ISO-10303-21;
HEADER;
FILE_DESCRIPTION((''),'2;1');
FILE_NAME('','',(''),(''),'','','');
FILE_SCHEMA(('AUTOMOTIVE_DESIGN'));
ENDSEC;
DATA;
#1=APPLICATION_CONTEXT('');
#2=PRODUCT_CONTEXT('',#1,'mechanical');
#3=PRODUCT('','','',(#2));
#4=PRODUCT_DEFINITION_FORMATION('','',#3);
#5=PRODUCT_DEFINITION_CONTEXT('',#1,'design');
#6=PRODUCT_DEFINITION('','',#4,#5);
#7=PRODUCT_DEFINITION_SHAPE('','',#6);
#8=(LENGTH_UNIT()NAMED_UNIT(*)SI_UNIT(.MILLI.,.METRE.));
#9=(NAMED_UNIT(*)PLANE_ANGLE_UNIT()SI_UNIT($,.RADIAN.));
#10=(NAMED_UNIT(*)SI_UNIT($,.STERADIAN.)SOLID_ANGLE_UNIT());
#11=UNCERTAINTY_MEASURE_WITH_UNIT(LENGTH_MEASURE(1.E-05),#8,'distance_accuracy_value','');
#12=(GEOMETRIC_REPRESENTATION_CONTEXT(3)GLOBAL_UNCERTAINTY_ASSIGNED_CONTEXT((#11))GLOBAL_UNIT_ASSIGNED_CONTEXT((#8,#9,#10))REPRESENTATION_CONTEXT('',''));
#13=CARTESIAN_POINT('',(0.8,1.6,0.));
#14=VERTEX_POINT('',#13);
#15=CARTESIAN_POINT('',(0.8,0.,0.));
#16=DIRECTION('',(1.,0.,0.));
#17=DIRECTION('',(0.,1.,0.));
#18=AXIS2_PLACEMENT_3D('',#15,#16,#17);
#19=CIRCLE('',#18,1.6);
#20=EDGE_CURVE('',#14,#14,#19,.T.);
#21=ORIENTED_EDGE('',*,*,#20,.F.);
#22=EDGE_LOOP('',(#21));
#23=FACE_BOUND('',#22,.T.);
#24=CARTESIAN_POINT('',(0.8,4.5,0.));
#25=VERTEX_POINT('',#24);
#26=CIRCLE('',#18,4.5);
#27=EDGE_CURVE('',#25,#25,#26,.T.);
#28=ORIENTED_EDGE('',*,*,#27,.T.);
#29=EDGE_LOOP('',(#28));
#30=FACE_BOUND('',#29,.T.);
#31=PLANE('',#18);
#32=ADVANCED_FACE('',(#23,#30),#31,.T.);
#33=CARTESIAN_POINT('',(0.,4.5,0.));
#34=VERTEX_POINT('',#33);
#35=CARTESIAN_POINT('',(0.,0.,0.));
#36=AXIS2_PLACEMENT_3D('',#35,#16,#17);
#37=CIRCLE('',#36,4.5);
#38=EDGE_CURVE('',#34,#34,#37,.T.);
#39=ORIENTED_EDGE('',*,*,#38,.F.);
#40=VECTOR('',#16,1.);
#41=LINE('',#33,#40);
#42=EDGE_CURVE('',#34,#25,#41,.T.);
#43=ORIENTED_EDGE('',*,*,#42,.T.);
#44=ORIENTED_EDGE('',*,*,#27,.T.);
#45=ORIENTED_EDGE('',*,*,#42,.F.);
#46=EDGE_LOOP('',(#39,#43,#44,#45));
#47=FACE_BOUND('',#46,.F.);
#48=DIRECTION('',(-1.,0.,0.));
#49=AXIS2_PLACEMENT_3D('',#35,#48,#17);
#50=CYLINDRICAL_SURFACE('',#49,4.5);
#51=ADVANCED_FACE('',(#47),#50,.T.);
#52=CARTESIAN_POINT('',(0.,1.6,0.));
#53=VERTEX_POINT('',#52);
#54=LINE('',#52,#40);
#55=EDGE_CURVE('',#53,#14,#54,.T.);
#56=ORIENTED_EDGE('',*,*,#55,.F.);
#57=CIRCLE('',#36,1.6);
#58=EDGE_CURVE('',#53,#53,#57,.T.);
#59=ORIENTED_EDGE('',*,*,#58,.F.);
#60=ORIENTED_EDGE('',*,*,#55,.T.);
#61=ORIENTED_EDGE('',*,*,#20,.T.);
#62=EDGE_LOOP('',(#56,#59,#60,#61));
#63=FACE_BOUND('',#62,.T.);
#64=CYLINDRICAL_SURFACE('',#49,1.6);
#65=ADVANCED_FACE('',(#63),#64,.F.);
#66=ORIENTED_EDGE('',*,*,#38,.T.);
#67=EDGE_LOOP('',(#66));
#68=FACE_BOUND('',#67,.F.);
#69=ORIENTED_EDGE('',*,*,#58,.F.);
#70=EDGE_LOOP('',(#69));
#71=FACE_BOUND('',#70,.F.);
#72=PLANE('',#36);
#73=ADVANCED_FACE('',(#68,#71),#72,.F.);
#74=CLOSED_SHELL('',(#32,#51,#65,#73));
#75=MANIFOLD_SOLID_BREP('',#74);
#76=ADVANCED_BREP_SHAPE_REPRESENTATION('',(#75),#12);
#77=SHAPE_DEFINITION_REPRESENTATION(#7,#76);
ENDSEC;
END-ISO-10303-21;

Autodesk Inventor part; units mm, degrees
ref_plane "YZ Plane" through (0, 0, 0) normal (1, 0, 0) x (0, 1, 0)
ref_plane "XZ Plane" through (0, 0, 0) normal (0, 1, 0) x (-1, 0, 0)
sketch "Sketch" plane through (0, 0, 0) normal (1, 0, 0) x (0, 1, 0)
  circle A0 centre (0, 0) radius 4.5
  circle A1 centre (0, 0) radius 1.6
  dimension "d0" = 3.2
  dimension "d1" = 9
extrude "Body" add sketch "Sketch" along normal blind 0.8
ref_plane "Work Plane1" through (0, 0, 0) normal (0, 0, 1) x (1, 0, 0)
equation "\"d0\" = SD1"
equation "\"d1\" = SD2"
equation "\"d2\" = SD"
equation "\"SD1\" = 3.2"
equation "\"SD2\" = 9"
equation "\"SD\" = 0.8"
equation "\"NND\" = 3"
properties part number "ISO 7093 - 3 - 140 HV" material "Stainless Steel"
